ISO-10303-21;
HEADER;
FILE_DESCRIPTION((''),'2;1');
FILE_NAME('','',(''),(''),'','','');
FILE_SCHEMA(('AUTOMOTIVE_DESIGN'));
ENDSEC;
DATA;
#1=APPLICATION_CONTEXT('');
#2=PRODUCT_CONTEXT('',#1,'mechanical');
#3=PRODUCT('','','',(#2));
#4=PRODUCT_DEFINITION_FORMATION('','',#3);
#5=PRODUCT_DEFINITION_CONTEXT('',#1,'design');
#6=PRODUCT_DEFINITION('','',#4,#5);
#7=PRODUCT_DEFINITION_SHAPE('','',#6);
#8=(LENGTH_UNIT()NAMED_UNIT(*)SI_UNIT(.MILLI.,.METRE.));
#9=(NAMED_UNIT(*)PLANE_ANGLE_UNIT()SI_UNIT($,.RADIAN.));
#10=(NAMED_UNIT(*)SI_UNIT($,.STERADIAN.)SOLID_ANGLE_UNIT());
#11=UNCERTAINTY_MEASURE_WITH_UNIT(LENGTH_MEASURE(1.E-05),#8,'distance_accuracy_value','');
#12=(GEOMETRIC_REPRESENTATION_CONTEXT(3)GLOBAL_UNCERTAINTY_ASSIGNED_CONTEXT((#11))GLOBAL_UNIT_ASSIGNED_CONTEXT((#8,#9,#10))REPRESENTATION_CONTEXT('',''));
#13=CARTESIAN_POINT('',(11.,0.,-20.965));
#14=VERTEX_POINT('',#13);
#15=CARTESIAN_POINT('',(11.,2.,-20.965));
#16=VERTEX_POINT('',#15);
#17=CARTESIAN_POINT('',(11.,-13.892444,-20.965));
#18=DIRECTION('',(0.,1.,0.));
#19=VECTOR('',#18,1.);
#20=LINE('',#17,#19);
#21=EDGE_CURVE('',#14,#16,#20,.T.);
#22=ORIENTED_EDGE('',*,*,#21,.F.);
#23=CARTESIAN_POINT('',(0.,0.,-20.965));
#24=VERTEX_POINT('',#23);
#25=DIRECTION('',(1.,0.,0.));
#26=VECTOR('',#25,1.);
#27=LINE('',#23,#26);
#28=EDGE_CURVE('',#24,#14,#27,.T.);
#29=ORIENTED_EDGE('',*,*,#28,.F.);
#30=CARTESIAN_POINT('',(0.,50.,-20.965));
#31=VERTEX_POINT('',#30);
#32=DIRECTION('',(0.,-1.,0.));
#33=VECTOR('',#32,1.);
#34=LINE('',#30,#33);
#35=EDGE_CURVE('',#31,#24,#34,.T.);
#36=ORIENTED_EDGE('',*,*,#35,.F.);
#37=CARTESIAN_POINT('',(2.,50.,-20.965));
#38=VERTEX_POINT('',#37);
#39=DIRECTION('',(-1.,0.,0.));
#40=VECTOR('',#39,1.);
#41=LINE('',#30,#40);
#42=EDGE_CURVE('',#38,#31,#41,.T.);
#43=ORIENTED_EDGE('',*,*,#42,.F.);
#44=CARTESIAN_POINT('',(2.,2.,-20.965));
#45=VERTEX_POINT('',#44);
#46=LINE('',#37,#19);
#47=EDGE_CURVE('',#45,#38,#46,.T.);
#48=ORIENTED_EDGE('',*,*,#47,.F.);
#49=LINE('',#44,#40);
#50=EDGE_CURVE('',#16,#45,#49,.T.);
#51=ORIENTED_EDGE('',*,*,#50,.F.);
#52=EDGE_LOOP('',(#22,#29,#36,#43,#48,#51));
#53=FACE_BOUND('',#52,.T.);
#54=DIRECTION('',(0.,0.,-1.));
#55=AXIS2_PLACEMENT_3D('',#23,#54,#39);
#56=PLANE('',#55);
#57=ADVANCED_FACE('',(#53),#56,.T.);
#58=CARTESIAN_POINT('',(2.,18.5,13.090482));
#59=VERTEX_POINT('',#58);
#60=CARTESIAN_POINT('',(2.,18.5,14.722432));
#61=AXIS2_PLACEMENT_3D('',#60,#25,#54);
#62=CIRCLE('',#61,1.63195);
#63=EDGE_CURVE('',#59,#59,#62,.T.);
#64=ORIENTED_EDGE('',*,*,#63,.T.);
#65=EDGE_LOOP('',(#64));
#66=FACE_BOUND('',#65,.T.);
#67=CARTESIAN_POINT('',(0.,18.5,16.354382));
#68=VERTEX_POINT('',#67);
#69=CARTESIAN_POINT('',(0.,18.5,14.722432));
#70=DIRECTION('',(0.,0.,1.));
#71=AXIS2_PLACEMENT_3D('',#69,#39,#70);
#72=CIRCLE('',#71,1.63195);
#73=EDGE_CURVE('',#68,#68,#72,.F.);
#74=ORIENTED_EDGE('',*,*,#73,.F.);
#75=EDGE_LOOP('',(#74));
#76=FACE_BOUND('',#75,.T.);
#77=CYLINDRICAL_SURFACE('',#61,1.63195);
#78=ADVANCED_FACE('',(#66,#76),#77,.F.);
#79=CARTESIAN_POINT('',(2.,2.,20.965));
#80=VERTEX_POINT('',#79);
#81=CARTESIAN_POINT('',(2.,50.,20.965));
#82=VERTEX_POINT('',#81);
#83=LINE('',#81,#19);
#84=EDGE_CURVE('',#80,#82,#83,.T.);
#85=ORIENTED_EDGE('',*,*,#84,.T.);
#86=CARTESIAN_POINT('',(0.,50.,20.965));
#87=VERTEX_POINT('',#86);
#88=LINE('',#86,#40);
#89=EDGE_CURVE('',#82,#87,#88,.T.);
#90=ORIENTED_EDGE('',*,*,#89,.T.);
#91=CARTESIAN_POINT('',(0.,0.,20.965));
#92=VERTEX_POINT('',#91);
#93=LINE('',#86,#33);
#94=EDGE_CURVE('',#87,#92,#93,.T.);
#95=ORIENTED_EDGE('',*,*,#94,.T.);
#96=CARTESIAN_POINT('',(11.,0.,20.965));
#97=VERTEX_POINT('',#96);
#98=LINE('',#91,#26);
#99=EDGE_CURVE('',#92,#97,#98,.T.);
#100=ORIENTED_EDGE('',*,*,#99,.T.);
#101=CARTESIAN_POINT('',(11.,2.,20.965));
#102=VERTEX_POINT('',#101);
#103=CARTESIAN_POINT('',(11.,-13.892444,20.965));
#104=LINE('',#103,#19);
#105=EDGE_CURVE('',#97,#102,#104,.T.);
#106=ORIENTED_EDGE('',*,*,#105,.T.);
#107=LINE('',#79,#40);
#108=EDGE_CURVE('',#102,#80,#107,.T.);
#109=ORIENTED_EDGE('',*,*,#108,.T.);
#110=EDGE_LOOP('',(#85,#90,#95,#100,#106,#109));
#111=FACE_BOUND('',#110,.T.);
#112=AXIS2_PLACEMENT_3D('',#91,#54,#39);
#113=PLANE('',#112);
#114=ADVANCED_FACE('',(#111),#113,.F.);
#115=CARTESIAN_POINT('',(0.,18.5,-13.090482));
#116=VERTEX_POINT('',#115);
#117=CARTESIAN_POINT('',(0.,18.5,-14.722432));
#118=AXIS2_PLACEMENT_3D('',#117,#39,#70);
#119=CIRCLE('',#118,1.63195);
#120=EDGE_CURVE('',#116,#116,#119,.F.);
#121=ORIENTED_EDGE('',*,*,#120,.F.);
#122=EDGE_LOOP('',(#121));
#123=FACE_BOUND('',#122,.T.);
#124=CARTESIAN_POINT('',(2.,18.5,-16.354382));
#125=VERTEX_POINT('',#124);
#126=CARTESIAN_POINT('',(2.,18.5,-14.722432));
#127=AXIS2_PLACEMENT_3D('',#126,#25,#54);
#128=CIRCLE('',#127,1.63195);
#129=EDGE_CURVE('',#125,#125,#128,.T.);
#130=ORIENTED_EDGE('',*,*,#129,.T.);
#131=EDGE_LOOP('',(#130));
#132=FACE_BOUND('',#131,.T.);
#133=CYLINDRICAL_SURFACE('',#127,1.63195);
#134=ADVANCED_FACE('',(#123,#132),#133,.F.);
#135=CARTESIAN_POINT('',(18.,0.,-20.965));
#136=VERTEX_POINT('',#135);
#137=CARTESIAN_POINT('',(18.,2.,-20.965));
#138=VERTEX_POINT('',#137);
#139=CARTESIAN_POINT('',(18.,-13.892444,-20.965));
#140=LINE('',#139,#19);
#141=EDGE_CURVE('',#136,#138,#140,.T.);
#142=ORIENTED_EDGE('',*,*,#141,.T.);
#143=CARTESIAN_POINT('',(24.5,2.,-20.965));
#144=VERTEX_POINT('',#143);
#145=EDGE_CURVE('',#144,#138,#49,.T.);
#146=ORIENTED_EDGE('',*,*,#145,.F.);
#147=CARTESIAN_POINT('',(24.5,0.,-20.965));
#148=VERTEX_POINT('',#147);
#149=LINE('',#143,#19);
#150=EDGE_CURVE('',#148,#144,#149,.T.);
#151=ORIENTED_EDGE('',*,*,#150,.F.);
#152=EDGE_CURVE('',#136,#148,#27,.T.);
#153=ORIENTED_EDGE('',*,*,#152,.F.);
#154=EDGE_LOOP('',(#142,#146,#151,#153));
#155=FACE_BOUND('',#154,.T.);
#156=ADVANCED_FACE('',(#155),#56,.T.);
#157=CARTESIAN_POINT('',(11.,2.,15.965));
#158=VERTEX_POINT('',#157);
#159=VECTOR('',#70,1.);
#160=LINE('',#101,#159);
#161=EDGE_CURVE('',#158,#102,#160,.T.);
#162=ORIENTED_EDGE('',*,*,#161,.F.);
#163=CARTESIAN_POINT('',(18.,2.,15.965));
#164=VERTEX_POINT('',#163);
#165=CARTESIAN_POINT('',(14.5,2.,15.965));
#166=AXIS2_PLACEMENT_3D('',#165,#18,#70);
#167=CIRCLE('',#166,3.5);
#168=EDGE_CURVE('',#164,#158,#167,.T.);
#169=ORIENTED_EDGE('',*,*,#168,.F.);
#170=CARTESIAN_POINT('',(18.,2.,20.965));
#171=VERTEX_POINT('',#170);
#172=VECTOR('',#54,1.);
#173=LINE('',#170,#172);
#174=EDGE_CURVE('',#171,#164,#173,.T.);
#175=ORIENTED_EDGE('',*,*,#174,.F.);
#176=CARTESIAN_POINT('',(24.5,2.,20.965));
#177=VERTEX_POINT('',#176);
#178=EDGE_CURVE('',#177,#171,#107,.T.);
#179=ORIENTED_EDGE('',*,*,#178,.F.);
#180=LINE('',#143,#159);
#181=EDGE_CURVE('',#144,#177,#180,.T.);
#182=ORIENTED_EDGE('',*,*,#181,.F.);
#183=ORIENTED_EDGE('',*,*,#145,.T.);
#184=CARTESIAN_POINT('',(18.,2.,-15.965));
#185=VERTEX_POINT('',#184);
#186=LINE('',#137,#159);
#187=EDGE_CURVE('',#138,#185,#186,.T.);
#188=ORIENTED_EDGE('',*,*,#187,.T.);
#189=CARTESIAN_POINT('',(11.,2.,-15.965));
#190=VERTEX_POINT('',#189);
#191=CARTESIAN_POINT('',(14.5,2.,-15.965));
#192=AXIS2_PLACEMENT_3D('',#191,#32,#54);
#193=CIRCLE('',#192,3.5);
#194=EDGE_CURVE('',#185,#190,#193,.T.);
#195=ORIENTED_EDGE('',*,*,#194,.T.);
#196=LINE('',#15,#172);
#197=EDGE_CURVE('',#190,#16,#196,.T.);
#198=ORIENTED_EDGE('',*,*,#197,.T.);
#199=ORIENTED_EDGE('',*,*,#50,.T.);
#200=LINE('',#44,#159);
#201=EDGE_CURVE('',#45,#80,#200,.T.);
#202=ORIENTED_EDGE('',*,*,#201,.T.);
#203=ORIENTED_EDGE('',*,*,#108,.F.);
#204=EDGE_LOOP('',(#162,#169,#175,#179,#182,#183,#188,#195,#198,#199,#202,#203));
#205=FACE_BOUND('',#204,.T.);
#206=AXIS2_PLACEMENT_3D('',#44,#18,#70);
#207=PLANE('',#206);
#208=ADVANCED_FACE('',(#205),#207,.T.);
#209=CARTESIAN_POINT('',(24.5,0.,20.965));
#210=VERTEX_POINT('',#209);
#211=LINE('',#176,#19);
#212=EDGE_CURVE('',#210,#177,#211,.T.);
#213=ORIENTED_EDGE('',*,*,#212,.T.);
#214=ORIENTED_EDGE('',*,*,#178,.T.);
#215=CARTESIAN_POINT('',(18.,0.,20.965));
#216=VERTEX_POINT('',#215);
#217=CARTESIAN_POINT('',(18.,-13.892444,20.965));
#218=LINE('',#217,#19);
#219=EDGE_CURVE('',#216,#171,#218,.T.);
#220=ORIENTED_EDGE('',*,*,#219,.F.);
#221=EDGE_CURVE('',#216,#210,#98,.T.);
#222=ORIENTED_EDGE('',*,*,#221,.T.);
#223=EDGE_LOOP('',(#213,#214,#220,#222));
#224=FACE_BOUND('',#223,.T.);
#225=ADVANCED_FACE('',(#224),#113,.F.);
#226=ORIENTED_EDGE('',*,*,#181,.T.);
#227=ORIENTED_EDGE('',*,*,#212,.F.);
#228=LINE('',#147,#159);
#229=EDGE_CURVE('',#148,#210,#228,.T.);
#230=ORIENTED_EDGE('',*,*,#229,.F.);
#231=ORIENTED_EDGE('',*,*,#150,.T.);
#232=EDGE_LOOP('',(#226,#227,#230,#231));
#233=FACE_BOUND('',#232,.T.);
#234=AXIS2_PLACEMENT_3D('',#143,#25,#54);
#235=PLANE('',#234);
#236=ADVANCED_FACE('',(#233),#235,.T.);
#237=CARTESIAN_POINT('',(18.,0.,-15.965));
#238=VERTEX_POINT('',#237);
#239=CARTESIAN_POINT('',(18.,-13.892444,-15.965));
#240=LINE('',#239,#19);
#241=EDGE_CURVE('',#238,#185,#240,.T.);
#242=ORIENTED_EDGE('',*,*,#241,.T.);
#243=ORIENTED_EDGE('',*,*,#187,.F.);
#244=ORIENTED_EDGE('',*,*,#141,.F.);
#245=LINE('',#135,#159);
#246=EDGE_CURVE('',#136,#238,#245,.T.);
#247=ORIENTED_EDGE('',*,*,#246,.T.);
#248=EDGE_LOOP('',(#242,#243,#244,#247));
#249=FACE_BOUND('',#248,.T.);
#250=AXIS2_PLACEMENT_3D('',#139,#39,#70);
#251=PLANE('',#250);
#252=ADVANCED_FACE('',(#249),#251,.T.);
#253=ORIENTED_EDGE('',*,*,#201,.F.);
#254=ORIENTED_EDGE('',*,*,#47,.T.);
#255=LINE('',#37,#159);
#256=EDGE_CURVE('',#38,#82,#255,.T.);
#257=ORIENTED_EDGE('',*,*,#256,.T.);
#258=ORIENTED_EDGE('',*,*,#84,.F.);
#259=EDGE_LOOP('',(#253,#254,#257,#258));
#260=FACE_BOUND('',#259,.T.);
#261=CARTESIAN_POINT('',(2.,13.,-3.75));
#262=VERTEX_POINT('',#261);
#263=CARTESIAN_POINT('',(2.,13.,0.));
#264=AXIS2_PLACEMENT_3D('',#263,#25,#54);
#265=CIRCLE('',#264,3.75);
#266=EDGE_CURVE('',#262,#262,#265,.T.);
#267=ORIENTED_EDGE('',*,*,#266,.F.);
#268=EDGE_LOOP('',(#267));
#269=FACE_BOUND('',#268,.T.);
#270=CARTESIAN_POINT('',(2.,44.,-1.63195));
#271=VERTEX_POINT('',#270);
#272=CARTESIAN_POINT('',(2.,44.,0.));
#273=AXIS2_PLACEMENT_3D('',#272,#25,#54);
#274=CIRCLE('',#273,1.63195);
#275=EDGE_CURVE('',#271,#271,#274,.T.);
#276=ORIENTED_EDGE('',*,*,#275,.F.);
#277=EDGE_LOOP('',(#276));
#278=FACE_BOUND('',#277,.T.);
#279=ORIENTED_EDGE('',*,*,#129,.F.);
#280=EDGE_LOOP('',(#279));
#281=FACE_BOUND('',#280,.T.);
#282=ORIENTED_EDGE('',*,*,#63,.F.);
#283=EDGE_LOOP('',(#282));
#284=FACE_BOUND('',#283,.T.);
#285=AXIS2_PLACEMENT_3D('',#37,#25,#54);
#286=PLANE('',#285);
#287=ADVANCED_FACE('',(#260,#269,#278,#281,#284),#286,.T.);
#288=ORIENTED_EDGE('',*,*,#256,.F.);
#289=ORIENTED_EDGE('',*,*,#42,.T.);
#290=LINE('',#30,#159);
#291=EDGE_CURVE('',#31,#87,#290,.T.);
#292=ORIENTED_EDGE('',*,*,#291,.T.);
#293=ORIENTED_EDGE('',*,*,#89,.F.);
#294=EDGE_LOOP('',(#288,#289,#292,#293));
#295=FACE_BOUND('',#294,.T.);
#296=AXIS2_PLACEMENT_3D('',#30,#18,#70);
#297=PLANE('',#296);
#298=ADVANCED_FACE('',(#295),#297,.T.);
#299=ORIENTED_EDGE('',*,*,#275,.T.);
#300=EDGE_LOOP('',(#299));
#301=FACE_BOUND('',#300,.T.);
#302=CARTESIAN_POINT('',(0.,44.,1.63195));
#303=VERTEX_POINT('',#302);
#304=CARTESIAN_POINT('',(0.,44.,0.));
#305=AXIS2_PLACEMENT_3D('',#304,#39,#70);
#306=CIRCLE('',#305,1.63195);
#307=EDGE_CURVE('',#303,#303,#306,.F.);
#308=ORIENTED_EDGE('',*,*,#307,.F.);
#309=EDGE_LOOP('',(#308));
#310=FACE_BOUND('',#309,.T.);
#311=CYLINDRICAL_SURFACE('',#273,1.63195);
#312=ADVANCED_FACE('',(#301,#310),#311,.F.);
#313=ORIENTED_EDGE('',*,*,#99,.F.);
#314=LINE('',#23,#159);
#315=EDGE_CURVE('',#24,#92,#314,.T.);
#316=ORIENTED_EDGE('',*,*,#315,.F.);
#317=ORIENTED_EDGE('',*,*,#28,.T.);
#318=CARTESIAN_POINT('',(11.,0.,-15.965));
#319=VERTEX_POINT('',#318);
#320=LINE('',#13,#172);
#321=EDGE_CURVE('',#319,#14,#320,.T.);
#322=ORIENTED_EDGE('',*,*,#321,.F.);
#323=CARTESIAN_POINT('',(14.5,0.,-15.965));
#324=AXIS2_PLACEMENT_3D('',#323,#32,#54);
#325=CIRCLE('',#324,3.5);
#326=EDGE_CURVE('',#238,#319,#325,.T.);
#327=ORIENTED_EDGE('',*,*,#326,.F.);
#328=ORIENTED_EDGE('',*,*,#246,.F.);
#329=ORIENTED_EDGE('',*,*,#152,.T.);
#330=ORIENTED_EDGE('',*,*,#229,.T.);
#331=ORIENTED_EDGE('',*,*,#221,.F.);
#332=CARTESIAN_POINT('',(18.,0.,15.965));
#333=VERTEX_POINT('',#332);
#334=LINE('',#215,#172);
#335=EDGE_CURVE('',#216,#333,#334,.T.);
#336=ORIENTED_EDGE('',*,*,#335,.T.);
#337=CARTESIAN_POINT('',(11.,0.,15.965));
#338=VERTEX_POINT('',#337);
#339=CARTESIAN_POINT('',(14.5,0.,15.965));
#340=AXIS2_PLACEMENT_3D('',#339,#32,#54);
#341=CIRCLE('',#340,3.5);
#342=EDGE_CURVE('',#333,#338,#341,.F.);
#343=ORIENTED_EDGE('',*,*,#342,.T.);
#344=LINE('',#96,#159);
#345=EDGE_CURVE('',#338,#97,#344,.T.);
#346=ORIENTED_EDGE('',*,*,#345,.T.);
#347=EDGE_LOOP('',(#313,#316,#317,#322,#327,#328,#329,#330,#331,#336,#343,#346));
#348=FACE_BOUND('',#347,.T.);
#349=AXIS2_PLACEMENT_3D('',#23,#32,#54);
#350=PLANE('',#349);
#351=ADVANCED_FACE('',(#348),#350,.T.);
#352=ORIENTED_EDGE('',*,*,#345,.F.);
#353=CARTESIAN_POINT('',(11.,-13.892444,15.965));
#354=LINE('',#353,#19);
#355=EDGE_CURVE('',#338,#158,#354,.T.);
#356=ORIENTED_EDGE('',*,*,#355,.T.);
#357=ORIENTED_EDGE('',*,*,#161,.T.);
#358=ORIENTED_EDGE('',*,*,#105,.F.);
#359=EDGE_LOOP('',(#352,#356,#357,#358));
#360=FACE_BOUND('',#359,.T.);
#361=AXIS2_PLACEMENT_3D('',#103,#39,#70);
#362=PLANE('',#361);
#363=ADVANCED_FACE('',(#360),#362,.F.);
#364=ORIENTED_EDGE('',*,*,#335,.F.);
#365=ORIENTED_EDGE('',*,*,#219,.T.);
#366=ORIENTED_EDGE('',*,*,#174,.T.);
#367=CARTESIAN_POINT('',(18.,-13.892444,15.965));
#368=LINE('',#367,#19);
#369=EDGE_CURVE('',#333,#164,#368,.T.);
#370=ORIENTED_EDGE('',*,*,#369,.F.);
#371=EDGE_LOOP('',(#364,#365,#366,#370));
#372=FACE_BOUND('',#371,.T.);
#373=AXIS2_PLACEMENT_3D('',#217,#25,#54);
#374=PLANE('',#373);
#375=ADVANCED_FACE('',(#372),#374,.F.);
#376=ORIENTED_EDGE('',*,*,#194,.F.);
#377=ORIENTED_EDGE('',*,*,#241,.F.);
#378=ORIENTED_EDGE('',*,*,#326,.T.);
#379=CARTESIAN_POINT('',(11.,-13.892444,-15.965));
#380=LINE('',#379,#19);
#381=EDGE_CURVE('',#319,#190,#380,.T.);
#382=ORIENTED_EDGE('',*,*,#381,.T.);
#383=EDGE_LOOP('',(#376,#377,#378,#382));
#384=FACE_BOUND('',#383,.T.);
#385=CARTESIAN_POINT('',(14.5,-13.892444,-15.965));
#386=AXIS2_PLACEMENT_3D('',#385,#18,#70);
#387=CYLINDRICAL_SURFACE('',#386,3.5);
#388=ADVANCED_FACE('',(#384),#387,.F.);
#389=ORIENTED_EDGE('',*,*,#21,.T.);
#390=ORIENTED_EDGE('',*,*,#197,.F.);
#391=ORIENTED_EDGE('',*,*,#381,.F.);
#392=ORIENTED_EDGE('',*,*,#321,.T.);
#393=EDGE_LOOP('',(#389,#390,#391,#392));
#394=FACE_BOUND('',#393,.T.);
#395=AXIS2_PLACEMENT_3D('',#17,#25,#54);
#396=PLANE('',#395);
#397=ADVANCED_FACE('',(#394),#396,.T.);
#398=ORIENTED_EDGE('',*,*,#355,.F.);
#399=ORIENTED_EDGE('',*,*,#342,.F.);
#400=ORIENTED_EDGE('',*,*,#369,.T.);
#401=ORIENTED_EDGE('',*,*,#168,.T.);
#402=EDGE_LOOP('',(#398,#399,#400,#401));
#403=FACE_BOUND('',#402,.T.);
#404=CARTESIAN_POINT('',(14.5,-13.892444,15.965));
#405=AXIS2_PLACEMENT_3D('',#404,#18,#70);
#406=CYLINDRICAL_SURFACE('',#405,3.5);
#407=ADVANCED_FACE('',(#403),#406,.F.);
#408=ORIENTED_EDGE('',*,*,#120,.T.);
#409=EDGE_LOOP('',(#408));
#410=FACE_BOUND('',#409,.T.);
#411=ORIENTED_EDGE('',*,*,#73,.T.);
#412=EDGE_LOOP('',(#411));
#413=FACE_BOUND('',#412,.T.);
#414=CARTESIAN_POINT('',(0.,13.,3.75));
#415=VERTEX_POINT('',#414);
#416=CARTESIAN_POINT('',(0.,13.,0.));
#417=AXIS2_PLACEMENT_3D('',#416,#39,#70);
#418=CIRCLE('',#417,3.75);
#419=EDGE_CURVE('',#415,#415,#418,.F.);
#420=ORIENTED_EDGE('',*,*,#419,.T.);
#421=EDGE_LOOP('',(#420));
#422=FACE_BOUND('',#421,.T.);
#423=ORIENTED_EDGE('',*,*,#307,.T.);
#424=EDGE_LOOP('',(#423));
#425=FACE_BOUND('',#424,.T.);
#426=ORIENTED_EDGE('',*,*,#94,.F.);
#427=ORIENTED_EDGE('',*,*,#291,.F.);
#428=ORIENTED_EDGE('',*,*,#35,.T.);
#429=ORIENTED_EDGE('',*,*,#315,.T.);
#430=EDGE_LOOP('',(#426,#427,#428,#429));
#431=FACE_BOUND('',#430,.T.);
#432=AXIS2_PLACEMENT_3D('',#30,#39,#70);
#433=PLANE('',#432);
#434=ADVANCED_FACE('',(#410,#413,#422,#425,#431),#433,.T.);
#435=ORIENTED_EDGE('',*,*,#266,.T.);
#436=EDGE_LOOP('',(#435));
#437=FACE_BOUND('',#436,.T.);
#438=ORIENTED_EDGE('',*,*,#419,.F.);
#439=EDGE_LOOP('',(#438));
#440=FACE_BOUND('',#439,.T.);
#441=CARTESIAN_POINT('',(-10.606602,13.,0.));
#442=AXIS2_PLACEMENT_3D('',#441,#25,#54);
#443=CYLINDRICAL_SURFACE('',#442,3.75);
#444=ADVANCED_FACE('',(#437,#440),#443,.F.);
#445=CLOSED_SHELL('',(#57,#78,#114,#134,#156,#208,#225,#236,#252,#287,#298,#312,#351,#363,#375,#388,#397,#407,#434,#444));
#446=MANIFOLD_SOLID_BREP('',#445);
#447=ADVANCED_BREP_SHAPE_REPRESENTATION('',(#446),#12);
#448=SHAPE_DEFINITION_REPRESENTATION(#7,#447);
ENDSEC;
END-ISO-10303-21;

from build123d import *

# Parameters (mm, degrees)
BOSS_EXTRUDE1_DEPTH      = 20.965
BOSS_EXTRUDE1_DEPTH_BACK = 20.965
F_4_CLEARANCE_HOLE1_D    = 3.2639
CUT_EXTRUDE1_DEPTH       = 2
SKETCH7_R                = 3.75
CUT_EXTRUDE2_DEPTH       = 2


with BuildPart() as part:
    # Sketch1 → Boss-Extrude1 (new, two sides: drawn at the far end of the back side and taken through both)
    with BuildSketch(Plane.XY.offset(-BOSS_EXTRUDE1_DEPTH_BACK)):
        Polygon((0, 50), (0, 0), (24.5, 0), (24.5, 2), (2, 2), (2, 50), align=None)
    extrude(amount=BOSS_EXTRUDE1_DEPTH + BOSS_EXTRUDE1_DEPTH_BACK)

    # #4 Clearance Hole1 (through all)
    with Locations(Plane(origin=(2, 0, 0), x_dir=(0, 0, -1), z_dir=(1, 0, 0))):
        with Locations((0, 44), (-14.722431864, 18.5), (14.722431864, 18.5)):
            Hole(F_4_CLEARANCE_HOLE1_D / 2)

    # Sketch6 → Cut-Extrude1 (cut)
    with BuildSketch(Plane(origin=(0, 2, 0), x_dir=(1, 0, 0), z_dir=(0, 1, 0))):
        with BuildLine():
            Line((11, -20.965), (11, -15.965))
            ThreePointArc((11, -15.965), (14.5, -12.465), (18, -15.965))
            Line((18, -15.965), (18, -20.965))
            ThreePointArc((18, -20.965), (14.5, -24.465), (11, -20.965))
        make_face()
    cut_extrude1 = extrude(amount=-CUT_EXTRUDE1_DEPTH, mode=Mode.SUBTRACT)

    # Mirror1: Cut-Extrude1 across plane
    add(cut_extrude1.mirror(Plane.XY), mode=Mode.SUBTRACT)

    # Sketch7 → Cut-Extrude2 (cut)
    with BuildSketch(Plane(origin=(2, 0, 0), x_dir=(0, 0, -1), z_dir=(1, 0, 0))):
        with Locations((0, 13)):
            Circle(SKETCH7_R)
    extrude(amount=-CUT_EXTRUDE2_DEPTH, mode=Mode.SUBTRACT)


solid = part.part
